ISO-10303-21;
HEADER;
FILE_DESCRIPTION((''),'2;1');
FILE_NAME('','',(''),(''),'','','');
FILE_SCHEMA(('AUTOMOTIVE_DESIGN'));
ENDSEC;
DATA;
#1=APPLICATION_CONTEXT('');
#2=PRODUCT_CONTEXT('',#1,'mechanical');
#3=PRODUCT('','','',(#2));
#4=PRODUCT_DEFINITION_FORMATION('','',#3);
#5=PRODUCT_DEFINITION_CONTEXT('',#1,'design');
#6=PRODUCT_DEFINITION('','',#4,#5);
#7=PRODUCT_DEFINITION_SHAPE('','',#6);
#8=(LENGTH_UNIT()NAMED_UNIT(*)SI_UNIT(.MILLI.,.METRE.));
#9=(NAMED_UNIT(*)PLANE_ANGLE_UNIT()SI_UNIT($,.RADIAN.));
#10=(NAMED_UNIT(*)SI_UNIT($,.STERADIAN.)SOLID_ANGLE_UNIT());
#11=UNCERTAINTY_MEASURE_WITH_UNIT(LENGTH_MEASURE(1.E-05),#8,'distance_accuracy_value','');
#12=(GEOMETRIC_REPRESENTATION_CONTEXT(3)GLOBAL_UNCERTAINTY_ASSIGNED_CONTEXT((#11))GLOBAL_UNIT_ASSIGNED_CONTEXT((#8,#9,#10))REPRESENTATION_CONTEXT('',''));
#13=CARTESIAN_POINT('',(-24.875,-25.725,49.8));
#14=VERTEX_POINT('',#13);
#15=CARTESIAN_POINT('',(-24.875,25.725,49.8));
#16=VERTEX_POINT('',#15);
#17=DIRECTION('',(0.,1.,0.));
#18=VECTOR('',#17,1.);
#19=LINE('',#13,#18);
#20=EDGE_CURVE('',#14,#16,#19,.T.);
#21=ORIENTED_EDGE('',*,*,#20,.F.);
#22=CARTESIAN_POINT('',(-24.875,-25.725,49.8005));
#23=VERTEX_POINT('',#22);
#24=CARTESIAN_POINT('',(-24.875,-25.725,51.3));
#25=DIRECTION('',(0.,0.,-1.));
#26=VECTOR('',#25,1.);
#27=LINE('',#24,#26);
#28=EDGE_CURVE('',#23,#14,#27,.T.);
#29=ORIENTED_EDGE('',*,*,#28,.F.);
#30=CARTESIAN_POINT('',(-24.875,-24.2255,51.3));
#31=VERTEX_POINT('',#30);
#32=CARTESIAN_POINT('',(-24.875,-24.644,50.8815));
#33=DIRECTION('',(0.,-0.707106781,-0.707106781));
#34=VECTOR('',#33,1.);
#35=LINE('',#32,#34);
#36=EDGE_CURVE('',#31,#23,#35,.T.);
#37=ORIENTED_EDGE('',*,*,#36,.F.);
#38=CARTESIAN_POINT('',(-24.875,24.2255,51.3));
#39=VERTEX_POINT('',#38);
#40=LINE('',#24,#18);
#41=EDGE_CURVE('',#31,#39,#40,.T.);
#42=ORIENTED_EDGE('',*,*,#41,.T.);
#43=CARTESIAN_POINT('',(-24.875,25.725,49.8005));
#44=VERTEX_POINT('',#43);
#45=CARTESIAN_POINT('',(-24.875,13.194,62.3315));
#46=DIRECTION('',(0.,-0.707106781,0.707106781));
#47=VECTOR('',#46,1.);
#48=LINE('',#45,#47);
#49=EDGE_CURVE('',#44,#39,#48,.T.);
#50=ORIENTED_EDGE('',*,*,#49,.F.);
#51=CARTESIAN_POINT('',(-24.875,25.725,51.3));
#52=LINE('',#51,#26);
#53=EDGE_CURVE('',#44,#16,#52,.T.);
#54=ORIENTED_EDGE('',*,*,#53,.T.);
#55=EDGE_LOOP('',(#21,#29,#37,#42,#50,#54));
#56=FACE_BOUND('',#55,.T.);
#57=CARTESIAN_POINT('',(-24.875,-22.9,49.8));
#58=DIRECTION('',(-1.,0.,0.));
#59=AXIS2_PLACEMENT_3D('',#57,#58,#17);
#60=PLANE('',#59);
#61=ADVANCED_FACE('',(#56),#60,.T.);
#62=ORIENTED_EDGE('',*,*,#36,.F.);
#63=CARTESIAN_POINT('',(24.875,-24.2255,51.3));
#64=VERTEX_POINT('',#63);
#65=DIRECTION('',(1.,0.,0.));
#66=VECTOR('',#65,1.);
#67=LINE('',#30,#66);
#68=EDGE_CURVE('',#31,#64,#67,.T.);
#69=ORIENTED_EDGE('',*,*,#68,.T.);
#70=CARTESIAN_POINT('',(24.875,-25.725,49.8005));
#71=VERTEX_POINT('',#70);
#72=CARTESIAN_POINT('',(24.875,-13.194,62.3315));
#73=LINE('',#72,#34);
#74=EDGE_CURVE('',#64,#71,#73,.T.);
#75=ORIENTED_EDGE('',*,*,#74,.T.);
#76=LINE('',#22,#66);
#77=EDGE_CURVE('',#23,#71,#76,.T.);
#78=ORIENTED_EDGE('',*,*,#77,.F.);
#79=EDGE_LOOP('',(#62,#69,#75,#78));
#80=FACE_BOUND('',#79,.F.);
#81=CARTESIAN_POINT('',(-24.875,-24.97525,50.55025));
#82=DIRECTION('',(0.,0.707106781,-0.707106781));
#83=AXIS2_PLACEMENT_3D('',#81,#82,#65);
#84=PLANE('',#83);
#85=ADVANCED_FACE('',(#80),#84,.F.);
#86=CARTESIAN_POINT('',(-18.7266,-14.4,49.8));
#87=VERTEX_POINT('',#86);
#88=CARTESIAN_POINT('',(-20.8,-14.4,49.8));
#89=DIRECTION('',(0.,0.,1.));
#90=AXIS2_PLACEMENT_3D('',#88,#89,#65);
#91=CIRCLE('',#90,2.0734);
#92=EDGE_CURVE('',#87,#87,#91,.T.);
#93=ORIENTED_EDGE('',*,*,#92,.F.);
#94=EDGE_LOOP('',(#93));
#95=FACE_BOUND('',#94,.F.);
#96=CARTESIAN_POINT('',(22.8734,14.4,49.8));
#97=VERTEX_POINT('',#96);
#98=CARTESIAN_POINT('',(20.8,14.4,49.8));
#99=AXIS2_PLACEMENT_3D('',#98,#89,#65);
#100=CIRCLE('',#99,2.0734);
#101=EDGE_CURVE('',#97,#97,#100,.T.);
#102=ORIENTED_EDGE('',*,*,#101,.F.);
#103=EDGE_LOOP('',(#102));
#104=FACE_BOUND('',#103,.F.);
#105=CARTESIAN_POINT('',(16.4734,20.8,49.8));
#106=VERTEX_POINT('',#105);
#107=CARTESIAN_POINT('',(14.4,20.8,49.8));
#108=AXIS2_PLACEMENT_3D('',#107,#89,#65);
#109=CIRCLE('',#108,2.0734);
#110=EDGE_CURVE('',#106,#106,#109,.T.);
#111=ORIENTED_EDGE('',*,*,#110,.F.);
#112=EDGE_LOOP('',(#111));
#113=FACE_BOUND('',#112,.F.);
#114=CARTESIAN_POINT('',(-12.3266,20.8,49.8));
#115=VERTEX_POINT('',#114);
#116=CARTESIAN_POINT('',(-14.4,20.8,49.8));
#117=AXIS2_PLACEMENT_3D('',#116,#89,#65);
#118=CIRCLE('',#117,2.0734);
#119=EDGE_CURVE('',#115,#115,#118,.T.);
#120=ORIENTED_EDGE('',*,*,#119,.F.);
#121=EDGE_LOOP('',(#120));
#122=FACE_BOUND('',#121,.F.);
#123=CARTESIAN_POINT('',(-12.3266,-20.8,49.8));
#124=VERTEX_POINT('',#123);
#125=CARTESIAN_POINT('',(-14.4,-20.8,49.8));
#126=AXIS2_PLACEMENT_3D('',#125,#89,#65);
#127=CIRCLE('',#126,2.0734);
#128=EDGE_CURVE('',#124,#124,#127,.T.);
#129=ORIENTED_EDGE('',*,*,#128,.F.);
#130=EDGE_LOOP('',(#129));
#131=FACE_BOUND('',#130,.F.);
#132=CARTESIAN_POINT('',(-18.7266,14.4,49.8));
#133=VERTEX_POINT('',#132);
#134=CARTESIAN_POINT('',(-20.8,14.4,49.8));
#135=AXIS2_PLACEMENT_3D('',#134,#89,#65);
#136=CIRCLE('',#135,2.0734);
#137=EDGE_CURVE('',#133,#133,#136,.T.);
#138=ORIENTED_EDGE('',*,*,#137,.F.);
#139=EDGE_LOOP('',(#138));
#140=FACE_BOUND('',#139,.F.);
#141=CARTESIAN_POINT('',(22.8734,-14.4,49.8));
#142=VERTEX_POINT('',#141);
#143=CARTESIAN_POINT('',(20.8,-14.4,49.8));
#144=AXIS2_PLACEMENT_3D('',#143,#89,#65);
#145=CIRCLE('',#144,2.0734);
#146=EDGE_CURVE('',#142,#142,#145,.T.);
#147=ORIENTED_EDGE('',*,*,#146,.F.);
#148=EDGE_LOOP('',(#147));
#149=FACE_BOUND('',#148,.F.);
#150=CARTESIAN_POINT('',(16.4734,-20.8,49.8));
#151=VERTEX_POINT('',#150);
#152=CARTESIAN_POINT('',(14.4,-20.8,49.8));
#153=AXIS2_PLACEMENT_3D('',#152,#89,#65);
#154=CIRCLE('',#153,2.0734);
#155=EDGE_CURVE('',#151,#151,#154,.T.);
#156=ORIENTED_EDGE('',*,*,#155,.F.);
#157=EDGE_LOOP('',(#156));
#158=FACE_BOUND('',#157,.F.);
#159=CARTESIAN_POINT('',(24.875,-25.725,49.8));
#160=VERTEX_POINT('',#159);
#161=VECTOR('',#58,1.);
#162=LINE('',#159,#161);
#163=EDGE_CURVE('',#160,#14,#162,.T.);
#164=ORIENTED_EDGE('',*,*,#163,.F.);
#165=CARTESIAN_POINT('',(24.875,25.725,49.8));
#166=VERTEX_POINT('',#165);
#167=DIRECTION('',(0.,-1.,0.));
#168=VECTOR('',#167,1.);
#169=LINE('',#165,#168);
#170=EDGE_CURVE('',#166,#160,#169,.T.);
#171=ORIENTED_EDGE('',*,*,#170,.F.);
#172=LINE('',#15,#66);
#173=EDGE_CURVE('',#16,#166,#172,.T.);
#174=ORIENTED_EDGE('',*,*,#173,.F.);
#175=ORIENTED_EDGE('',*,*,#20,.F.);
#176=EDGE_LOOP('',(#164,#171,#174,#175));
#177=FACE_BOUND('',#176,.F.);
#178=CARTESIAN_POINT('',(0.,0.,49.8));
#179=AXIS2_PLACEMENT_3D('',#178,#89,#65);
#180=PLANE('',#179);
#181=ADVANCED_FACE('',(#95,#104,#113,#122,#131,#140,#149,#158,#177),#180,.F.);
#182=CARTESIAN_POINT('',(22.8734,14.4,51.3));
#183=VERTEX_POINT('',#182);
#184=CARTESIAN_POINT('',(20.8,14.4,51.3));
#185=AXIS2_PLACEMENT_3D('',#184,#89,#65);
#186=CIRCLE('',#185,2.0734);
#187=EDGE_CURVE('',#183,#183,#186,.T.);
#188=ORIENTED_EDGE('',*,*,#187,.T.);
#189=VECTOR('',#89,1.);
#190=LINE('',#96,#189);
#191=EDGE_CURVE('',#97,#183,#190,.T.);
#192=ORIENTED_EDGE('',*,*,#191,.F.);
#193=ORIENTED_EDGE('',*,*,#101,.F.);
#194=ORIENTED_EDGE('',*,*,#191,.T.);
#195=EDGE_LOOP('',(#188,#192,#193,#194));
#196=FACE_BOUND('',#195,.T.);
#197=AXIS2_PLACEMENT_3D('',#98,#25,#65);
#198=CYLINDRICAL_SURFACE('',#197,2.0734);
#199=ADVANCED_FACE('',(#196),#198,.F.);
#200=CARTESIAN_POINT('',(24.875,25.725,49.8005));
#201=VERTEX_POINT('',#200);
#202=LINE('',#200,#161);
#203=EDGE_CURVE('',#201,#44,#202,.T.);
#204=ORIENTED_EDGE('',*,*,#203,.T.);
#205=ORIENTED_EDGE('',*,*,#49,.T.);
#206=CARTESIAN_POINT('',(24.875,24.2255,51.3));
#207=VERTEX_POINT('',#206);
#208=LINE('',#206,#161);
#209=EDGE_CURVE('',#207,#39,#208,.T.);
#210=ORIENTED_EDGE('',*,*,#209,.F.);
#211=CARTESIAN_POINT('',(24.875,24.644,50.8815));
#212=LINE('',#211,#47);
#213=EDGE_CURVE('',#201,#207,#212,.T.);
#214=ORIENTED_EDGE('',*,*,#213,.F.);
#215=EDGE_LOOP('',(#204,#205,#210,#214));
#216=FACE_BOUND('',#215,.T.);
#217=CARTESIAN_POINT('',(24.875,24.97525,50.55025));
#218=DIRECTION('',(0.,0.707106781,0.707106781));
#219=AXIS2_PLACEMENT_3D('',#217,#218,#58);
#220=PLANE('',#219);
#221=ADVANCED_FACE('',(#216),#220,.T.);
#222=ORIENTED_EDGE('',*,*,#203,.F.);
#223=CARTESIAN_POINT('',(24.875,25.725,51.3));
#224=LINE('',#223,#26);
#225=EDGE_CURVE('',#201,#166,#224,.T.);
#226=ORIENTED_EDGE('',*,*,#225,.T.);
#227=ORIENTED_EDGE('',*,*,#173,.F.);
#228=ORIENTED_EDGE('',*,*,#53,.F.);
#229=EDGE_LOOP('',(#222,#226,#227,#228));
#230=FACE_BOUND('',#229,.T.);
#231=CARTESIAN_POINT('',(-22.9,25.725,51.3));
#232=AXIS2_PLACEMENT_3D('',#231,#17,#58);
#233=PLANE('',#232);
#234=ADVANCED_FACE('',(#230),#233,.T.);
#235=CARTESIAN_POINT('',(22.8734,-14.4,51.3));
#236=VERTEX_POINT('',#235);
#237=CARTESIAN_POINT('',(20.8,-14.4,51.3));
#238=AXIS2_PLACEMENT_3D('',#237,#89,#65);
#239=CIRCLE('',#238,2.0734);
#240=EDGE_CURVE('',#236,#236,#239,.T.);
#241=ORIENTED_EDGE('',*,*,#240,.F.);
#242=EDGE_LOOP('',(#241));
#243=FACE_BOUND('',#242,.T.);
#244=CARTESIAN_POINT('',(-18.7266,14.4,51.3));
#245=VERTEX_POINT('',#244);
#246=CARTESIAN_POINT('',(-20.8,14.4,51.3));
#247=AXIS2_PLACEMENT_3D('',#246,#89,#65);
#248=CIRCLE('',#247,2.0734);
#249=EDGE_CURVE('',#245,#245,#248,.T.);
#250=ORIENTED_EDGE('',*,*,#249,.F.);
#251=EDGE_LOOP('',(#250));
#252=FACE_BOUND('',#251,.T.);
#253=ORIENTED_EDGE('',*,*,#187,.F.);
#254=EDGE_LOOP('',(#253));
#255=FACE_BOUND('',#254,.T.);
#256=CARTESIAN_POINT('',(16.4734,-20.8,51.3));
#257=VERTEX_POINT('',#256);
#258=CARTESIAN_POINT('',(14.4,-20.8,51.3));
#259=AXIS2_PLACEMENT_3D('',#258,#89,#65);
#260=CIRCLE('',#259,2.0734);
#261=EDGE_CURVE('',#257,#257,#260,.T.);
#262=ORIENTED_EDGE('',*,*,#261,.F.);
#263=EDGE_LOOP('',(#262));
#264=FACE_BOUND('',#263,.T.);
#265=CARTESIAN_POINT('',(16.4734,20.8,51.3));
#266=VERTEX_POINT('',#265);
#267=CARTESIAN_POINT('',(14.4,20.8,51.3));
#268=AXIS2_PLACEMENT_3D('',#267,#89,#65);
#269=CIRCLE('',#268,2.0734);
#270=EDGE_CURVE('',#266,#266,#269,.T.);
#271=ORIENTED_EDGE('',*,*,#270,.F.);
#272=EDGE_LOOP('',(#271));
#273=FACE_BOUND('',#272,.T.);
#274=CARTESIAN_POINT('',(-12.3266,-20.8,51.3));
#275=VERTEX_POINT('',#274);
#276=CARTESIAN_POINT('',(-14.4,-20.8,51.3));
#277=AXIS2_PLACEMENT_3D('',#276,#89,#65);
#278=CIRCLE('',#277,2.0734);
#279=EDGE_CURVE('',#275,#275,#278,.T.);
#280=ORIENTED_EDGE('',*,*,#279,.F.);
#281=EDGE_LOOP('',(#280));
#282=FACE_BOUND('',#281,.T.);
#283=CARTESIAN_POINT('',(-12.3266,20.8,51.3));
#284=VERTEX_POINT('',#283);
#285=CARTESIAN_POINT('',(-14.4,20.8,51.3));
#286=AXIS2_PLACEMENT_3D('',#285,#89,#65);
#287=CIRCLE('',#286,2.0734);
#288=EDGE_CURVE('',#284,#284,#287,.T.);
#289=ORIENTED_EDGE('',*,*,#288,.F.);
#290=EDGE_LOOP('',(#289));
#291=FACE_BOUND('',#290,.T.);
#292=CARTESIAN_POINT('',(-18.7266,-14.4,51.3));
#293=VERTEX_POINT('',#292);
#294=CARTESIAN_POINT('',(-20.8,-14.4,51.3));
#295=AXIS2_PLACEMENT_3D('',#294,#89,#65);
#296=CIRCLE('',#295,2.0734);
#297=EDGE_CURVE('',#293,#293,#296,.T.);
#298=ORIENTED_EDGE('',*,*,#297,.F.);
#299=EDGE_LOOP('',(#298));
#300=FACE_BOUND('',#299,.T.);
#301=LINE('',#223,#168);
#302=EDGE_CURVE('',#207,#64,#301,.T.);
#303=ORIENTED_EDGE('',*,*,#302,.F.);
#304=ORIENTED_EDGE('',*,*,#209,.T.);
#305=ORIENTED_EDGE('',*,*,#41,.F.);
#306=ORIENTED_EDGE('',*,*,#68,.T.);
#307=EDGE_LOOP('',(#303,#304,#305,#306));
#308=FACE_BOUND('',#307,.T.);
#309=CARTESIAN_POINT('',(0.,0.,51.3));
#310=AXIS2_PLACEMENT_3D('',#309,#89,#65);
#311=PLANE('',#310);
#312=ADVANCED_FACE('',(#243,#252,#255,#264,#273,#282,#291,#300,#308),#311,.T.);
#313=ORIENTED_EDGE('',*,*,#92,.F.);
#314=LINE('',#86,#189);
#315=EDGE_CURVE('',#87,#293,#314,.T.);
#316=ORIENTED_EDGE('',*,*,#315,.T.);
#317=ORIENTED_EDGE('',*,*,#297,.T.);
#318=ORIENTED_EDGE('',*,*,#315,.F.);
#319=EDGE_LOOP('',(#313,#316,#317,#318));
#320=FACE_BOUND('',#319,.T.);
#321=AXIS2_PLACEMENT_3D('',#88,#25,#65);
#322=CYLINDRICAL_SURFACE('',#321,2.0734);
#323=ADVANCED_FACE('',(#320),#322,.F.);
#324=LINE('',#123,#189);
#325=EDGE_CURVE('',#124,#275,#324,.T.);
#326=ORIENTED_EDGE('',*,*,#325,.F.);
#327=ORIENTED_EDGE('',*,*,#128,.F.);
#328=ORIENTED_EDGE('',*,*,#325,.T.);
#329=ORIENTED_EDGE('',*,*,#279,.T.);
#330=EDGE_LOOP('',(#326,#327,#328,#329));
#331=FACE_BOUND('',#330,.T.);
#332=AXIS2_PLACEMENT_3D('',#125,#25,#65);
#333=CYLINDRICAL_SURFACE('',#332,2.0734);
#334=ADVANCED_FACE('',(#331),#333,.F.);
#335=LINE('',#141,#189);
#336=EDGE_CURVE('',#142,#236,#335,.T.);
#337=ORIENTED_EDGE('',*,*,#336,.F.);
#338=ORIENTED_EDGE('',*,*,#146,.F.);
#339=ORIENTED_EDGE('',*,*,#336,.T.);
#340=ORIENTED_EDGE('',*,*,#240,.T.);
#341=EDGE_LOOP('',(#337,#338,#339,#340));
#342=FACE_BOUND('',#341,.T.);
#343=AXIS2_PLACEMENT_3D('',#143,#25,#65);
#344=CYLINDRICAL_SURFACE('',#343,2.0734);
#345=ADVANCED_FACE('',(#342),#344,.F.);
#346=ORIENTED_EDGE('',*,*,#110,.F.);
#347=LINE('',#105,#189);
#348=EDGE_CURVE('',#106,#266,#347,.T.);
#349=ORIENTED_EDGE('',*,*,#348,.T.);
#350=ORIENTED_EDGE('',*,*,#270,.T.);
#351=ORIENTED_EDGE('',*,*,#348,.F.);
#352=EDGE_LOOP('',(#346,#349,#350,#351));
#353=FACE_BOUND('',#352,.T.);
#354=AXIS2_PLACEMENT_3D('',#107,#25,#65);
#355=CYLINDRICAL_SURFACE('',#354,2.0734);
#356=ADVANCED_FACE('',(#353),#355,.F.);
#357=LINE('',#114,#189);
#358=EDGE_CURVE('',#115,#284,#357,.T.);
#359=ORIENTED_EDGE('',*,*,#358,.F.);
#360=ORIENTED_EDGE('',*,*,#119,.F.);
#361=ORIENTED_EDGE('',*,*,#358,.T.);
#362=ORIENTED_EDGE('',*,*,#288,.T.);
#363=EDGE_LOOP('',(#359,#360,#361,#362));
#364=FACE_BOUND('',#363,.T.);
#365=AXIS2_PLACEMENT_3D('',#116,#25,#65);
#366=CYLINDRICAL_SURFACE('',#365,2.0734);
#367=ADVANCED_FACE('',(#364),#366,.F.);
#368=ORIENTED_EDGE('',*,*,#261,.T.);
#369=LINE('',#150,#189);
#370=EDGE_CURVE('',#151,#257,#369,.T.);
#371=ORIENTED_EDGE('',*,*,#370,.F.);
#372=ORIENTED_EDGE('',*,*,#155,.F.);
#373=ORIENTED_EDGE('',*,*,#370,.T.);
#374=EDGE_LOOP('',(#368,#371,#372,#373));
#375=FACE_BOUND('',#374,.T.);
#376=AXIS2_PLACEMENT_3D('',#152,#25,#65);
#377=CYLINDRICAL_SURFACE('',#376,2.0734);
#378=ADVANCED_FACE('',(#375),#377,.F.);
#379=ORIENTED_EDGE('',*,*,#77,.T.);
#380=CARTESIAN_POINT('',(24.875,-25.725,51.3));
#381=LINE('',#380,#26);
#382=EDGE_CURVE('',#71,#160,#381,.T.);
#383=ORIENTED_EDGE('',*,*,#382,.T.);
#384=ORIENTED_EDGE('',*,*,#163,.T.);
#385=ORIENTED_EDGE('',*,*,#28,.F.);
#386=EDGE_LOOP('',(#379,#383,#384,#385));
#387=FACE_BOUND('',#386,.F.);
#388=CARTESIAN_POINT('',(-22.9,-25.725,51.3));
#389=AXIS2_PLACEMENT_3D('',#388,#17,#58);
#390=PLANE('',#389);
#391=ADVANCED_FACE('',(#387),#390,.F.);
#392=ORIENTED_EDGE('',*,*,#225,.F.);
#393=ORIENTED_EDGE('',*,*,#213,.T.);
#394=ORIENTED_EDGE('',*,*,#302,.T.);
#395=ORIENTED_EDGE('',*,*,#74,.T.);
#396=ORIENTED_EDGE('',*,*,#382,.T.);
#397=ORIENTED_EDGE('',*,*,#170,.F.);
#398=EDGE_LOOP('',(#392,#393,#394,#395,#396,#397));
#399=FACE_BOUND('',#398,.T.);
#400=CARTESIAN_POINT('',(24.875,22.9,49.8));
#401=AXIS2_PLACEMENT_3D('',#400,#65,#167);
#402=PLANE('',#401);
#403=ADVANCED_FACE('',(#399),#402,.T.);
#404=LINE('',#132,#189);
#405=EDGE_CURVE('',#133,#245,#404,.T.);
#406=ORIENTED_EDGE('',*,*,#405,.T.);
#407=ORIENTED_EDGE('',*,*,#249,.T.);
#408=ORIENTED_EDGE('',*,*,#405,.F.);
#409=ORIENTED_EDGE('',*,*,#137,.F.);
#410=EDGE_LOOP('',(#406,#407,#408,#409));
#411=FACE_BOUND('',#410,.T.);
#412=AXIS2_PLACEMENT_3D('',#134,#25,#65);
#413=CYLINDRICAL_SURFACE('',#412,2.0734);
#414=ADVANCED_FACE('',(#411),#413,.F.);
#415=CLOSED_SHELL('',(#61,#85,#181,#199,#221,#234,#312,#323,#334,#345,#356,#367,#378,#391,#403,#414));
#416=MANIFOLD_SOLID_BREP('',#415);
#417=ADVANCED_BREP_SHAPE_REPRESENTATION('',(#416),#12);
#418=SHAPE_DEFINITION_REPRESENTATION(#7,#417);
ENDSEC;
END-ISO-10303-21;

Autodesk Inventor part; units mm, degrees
ref_plane "YZ Plane" through (0, 0, 0) normal (1, 0, 0) x (0, 1, 0)
ref_plane "XZ Plane" through (0, 0, 0) normal (0, 1, 0) x (-1, 0, 0)
sketch "Sketch1" plane through (0, 0, 0) normal (0, 0, 1) x (1, 0, 0)
  circle A0 centre (-21.9, -21.9) radius 1.875 projected
  circle A1 centre (21.9, 21.9) radius 1.875 projected
  circle A2 centre (21.9, -21.9) radius 1.875 projected
  circle A3 centre (-21.9, 21.9) radius 1.875 projected
  circle A4 centre (14.4, 20.8) radius 2.0734 projected
  circle A5 centre (-14.4, -20.8) radius 2.0734 projected
  circle A6 centre (14.4, -20.8) radius 2.0734 projected
  circle A7 centre (20.8, -14.4) radius 2.0734 projected
  line L0 (-17.05, 17.05) -> (-17.05, -17.05) projected
  line L1 (17.05, 17.05) -> (-17.05, 17.05) projected
  line L2 (17.05, -17.05) -> (17.05, 17.05) projected
  line L3 (-17.05, -17.05) -> (17.05, -17.05) projected
  circle A8 centre (20.8, 14.4) radius 2.0734 projected
  circle A9 centre (-14.4, 20.8) radius 2.0734 projected
  circle A10 centre (-20.8, -14.4) radius 2.0734 projected
  circle A11 centre (-20.8, 14.4) radius 2.0734 projected
  line L4 (-22.9, 24.875) -> (22.9, 24.875) projected
  arc A12 (-22.9, 24.875) -> (-24.875, 22.9) centre (-22.9, 22.9) ccw projected
  line L5 (-24.875, -22.9) -> (-24.875, 22.9) projected
  arc A13 (-24.875, -22.9) -> (-22.9, -24.875) centre (-22.9, -22.9) ccw projected
  line L6 (22.9, -24.875) -> (-22.9, -24.875) projected
  arc A14 (22.9, -24.875) -> (24.875, -22.9) centre (22.9, -22.9) ccw projected
  line L7 (24.875, 22.9) -> (24.875, -22.9) projected
  arc A15 (24.875, 22.9) -> (22.9, 24.875) centre (22.9, 22.9) ccw projected
  point P0 (0, 0)
ref_plane "Work Plane1" through (-24.15, -24.15, 49.8) normal (0, 0, 1) x (1, 0, 0)
extrude "Extrusion1" add sketch "Sketch1" along normal blind 1.5 from surface at 49.8 contours A0 | A1 | A2 | A3 | L1 L2 L3 L0 | L4 A15 L7 A14 L6 A13 L5 A12
sketch "Sketch2" plane through (-22.9, -24.875, 51.3) normal (0, 0, 1) x (1, 0, 0)
  arc A0 (-1.975, 1.975) -> (0, 0) centre (0, 1.975) ccw projected
  line L0 (45.8, 0) -> (0, 0) projected
  arc A1 (45.8, 0) -> (47.775, 1.975) centre (45.8, 1.975) ccw projected
  line L1 (47.775, 47.775) -> (47.775, 1.975) projected
  arc A2 (47.775, 47.775) -> (45.8, 49.75) centre (45.8, 47.775) ccw projected
  line L2 (0, 49.75) -> (45.8, 49.75) projected
  arc A3 (0, 49.75) -> (-1.975, 47.775) centre (0, 47.775) ccw projected
  line L3 (-1.975, 1.975) -> (-1.975, 47.775) projected
  circle A4 centre (2.1, 39.275) radius 2.0734 projected
  circle A5 centre (2.1, 10.475) radius 2.0734 projected
  circle A6 centre (8.5, 45.675) radius 2.0734 projected
  circle A7 centre (43.7, 39.275) radius 2.0734 projected
  circle A8 centre (43.7, 10.475) radius 2.0734 projected
  circle A9 centre (37.3, 4.075) radius 2.0734 projected
  circle A10 centre (8.5, 4.075) radius 2.0734 projected
  circle A11 centre (37.3, 45.675) radius 2.0734 projected
  arc A12 (48.625, 47.775) -> (45.8, 50.6) centre (45.8, 47.775) ccw
  line L4 (48.625, 47.775) -> (48.625, 1.975)
  arc A13 (45.8, -0.85) -> (48.625, 1.975) centre (45.8, 1.975) ccw
  line L5 (45.8, -0.85) -> (0, -0.85)
  arc A14 (-2.825, 1.975) -> (0, -0.85) centre (0, 1.975) ccw
  line L6 (-2.825, 1.975) -> (-2.825, 47.775)
  arc A15 (0, 50.6) -> (-2.825, 47.775) centre (0, 47.775) ccw
  line L7 (0, 50.6) -> (45.8, 50.6)
  line L8 (47.775, 1.975) -> (45.8, 1.975)
  line L9 (45.8, 1.975) -> (45.8, -0.85)
  line L10 (45.8, -0.85) -> (47.775, -0.85)
  line L11 (47.775, -0.85) -> (47.775, 1.975)
  line L12 (-1.975, 1.975) -> (0, 1.975)
  line L13 (0, 1.975) -> (0, -0.85)
  line L14 (0, -0.85) -> (-1.975, -0.85)
  line L15 (-1.975, -0.85) -> (-1.975, 1.975)
  line L16 (-1.975, 47.775) -> (0, 47.775)
  line L17 (0, 47.775) -> (0, 50.6)
  line L18 (0, 50.6) -> (-1.975, 50.6)
  line L19 (-1.975, 50.6) -> (-1.975, 47.775)
  line L20 (47.775, 47.775) -> (45.8, 47.775)
  line L21 (45.8, 47.775) -> (45.8, 50.6)
  line L22 (45.8, 50.6) -> (47.775, 50.6)
  line L23 (47.775, 50.6) -> (47.775, 47.775)
  point P0 (22.9, 24.875)
  dimension "d2" = 0.85
extrude "Extrusion2" add sketch "Sketch2" against normal blind 1.5 contours A0 L13 A14 L15 | L0 L9 L5 L13 | L19 A15 L17 A3 | A14 L14 L15 | A1 L11 A13 L9 | L17 L7 L21 L2 | L19 L18 A15 | A13 L11 L10 | L21 A12 L23 A2 | L22 L23 A12
chamfer "Chamfer1" distance 1.5 angle 45 2 edges at (0, 25.725, 51.3) (0, -25.725, 51.3)
properties part number "Panel Top 1x1"
